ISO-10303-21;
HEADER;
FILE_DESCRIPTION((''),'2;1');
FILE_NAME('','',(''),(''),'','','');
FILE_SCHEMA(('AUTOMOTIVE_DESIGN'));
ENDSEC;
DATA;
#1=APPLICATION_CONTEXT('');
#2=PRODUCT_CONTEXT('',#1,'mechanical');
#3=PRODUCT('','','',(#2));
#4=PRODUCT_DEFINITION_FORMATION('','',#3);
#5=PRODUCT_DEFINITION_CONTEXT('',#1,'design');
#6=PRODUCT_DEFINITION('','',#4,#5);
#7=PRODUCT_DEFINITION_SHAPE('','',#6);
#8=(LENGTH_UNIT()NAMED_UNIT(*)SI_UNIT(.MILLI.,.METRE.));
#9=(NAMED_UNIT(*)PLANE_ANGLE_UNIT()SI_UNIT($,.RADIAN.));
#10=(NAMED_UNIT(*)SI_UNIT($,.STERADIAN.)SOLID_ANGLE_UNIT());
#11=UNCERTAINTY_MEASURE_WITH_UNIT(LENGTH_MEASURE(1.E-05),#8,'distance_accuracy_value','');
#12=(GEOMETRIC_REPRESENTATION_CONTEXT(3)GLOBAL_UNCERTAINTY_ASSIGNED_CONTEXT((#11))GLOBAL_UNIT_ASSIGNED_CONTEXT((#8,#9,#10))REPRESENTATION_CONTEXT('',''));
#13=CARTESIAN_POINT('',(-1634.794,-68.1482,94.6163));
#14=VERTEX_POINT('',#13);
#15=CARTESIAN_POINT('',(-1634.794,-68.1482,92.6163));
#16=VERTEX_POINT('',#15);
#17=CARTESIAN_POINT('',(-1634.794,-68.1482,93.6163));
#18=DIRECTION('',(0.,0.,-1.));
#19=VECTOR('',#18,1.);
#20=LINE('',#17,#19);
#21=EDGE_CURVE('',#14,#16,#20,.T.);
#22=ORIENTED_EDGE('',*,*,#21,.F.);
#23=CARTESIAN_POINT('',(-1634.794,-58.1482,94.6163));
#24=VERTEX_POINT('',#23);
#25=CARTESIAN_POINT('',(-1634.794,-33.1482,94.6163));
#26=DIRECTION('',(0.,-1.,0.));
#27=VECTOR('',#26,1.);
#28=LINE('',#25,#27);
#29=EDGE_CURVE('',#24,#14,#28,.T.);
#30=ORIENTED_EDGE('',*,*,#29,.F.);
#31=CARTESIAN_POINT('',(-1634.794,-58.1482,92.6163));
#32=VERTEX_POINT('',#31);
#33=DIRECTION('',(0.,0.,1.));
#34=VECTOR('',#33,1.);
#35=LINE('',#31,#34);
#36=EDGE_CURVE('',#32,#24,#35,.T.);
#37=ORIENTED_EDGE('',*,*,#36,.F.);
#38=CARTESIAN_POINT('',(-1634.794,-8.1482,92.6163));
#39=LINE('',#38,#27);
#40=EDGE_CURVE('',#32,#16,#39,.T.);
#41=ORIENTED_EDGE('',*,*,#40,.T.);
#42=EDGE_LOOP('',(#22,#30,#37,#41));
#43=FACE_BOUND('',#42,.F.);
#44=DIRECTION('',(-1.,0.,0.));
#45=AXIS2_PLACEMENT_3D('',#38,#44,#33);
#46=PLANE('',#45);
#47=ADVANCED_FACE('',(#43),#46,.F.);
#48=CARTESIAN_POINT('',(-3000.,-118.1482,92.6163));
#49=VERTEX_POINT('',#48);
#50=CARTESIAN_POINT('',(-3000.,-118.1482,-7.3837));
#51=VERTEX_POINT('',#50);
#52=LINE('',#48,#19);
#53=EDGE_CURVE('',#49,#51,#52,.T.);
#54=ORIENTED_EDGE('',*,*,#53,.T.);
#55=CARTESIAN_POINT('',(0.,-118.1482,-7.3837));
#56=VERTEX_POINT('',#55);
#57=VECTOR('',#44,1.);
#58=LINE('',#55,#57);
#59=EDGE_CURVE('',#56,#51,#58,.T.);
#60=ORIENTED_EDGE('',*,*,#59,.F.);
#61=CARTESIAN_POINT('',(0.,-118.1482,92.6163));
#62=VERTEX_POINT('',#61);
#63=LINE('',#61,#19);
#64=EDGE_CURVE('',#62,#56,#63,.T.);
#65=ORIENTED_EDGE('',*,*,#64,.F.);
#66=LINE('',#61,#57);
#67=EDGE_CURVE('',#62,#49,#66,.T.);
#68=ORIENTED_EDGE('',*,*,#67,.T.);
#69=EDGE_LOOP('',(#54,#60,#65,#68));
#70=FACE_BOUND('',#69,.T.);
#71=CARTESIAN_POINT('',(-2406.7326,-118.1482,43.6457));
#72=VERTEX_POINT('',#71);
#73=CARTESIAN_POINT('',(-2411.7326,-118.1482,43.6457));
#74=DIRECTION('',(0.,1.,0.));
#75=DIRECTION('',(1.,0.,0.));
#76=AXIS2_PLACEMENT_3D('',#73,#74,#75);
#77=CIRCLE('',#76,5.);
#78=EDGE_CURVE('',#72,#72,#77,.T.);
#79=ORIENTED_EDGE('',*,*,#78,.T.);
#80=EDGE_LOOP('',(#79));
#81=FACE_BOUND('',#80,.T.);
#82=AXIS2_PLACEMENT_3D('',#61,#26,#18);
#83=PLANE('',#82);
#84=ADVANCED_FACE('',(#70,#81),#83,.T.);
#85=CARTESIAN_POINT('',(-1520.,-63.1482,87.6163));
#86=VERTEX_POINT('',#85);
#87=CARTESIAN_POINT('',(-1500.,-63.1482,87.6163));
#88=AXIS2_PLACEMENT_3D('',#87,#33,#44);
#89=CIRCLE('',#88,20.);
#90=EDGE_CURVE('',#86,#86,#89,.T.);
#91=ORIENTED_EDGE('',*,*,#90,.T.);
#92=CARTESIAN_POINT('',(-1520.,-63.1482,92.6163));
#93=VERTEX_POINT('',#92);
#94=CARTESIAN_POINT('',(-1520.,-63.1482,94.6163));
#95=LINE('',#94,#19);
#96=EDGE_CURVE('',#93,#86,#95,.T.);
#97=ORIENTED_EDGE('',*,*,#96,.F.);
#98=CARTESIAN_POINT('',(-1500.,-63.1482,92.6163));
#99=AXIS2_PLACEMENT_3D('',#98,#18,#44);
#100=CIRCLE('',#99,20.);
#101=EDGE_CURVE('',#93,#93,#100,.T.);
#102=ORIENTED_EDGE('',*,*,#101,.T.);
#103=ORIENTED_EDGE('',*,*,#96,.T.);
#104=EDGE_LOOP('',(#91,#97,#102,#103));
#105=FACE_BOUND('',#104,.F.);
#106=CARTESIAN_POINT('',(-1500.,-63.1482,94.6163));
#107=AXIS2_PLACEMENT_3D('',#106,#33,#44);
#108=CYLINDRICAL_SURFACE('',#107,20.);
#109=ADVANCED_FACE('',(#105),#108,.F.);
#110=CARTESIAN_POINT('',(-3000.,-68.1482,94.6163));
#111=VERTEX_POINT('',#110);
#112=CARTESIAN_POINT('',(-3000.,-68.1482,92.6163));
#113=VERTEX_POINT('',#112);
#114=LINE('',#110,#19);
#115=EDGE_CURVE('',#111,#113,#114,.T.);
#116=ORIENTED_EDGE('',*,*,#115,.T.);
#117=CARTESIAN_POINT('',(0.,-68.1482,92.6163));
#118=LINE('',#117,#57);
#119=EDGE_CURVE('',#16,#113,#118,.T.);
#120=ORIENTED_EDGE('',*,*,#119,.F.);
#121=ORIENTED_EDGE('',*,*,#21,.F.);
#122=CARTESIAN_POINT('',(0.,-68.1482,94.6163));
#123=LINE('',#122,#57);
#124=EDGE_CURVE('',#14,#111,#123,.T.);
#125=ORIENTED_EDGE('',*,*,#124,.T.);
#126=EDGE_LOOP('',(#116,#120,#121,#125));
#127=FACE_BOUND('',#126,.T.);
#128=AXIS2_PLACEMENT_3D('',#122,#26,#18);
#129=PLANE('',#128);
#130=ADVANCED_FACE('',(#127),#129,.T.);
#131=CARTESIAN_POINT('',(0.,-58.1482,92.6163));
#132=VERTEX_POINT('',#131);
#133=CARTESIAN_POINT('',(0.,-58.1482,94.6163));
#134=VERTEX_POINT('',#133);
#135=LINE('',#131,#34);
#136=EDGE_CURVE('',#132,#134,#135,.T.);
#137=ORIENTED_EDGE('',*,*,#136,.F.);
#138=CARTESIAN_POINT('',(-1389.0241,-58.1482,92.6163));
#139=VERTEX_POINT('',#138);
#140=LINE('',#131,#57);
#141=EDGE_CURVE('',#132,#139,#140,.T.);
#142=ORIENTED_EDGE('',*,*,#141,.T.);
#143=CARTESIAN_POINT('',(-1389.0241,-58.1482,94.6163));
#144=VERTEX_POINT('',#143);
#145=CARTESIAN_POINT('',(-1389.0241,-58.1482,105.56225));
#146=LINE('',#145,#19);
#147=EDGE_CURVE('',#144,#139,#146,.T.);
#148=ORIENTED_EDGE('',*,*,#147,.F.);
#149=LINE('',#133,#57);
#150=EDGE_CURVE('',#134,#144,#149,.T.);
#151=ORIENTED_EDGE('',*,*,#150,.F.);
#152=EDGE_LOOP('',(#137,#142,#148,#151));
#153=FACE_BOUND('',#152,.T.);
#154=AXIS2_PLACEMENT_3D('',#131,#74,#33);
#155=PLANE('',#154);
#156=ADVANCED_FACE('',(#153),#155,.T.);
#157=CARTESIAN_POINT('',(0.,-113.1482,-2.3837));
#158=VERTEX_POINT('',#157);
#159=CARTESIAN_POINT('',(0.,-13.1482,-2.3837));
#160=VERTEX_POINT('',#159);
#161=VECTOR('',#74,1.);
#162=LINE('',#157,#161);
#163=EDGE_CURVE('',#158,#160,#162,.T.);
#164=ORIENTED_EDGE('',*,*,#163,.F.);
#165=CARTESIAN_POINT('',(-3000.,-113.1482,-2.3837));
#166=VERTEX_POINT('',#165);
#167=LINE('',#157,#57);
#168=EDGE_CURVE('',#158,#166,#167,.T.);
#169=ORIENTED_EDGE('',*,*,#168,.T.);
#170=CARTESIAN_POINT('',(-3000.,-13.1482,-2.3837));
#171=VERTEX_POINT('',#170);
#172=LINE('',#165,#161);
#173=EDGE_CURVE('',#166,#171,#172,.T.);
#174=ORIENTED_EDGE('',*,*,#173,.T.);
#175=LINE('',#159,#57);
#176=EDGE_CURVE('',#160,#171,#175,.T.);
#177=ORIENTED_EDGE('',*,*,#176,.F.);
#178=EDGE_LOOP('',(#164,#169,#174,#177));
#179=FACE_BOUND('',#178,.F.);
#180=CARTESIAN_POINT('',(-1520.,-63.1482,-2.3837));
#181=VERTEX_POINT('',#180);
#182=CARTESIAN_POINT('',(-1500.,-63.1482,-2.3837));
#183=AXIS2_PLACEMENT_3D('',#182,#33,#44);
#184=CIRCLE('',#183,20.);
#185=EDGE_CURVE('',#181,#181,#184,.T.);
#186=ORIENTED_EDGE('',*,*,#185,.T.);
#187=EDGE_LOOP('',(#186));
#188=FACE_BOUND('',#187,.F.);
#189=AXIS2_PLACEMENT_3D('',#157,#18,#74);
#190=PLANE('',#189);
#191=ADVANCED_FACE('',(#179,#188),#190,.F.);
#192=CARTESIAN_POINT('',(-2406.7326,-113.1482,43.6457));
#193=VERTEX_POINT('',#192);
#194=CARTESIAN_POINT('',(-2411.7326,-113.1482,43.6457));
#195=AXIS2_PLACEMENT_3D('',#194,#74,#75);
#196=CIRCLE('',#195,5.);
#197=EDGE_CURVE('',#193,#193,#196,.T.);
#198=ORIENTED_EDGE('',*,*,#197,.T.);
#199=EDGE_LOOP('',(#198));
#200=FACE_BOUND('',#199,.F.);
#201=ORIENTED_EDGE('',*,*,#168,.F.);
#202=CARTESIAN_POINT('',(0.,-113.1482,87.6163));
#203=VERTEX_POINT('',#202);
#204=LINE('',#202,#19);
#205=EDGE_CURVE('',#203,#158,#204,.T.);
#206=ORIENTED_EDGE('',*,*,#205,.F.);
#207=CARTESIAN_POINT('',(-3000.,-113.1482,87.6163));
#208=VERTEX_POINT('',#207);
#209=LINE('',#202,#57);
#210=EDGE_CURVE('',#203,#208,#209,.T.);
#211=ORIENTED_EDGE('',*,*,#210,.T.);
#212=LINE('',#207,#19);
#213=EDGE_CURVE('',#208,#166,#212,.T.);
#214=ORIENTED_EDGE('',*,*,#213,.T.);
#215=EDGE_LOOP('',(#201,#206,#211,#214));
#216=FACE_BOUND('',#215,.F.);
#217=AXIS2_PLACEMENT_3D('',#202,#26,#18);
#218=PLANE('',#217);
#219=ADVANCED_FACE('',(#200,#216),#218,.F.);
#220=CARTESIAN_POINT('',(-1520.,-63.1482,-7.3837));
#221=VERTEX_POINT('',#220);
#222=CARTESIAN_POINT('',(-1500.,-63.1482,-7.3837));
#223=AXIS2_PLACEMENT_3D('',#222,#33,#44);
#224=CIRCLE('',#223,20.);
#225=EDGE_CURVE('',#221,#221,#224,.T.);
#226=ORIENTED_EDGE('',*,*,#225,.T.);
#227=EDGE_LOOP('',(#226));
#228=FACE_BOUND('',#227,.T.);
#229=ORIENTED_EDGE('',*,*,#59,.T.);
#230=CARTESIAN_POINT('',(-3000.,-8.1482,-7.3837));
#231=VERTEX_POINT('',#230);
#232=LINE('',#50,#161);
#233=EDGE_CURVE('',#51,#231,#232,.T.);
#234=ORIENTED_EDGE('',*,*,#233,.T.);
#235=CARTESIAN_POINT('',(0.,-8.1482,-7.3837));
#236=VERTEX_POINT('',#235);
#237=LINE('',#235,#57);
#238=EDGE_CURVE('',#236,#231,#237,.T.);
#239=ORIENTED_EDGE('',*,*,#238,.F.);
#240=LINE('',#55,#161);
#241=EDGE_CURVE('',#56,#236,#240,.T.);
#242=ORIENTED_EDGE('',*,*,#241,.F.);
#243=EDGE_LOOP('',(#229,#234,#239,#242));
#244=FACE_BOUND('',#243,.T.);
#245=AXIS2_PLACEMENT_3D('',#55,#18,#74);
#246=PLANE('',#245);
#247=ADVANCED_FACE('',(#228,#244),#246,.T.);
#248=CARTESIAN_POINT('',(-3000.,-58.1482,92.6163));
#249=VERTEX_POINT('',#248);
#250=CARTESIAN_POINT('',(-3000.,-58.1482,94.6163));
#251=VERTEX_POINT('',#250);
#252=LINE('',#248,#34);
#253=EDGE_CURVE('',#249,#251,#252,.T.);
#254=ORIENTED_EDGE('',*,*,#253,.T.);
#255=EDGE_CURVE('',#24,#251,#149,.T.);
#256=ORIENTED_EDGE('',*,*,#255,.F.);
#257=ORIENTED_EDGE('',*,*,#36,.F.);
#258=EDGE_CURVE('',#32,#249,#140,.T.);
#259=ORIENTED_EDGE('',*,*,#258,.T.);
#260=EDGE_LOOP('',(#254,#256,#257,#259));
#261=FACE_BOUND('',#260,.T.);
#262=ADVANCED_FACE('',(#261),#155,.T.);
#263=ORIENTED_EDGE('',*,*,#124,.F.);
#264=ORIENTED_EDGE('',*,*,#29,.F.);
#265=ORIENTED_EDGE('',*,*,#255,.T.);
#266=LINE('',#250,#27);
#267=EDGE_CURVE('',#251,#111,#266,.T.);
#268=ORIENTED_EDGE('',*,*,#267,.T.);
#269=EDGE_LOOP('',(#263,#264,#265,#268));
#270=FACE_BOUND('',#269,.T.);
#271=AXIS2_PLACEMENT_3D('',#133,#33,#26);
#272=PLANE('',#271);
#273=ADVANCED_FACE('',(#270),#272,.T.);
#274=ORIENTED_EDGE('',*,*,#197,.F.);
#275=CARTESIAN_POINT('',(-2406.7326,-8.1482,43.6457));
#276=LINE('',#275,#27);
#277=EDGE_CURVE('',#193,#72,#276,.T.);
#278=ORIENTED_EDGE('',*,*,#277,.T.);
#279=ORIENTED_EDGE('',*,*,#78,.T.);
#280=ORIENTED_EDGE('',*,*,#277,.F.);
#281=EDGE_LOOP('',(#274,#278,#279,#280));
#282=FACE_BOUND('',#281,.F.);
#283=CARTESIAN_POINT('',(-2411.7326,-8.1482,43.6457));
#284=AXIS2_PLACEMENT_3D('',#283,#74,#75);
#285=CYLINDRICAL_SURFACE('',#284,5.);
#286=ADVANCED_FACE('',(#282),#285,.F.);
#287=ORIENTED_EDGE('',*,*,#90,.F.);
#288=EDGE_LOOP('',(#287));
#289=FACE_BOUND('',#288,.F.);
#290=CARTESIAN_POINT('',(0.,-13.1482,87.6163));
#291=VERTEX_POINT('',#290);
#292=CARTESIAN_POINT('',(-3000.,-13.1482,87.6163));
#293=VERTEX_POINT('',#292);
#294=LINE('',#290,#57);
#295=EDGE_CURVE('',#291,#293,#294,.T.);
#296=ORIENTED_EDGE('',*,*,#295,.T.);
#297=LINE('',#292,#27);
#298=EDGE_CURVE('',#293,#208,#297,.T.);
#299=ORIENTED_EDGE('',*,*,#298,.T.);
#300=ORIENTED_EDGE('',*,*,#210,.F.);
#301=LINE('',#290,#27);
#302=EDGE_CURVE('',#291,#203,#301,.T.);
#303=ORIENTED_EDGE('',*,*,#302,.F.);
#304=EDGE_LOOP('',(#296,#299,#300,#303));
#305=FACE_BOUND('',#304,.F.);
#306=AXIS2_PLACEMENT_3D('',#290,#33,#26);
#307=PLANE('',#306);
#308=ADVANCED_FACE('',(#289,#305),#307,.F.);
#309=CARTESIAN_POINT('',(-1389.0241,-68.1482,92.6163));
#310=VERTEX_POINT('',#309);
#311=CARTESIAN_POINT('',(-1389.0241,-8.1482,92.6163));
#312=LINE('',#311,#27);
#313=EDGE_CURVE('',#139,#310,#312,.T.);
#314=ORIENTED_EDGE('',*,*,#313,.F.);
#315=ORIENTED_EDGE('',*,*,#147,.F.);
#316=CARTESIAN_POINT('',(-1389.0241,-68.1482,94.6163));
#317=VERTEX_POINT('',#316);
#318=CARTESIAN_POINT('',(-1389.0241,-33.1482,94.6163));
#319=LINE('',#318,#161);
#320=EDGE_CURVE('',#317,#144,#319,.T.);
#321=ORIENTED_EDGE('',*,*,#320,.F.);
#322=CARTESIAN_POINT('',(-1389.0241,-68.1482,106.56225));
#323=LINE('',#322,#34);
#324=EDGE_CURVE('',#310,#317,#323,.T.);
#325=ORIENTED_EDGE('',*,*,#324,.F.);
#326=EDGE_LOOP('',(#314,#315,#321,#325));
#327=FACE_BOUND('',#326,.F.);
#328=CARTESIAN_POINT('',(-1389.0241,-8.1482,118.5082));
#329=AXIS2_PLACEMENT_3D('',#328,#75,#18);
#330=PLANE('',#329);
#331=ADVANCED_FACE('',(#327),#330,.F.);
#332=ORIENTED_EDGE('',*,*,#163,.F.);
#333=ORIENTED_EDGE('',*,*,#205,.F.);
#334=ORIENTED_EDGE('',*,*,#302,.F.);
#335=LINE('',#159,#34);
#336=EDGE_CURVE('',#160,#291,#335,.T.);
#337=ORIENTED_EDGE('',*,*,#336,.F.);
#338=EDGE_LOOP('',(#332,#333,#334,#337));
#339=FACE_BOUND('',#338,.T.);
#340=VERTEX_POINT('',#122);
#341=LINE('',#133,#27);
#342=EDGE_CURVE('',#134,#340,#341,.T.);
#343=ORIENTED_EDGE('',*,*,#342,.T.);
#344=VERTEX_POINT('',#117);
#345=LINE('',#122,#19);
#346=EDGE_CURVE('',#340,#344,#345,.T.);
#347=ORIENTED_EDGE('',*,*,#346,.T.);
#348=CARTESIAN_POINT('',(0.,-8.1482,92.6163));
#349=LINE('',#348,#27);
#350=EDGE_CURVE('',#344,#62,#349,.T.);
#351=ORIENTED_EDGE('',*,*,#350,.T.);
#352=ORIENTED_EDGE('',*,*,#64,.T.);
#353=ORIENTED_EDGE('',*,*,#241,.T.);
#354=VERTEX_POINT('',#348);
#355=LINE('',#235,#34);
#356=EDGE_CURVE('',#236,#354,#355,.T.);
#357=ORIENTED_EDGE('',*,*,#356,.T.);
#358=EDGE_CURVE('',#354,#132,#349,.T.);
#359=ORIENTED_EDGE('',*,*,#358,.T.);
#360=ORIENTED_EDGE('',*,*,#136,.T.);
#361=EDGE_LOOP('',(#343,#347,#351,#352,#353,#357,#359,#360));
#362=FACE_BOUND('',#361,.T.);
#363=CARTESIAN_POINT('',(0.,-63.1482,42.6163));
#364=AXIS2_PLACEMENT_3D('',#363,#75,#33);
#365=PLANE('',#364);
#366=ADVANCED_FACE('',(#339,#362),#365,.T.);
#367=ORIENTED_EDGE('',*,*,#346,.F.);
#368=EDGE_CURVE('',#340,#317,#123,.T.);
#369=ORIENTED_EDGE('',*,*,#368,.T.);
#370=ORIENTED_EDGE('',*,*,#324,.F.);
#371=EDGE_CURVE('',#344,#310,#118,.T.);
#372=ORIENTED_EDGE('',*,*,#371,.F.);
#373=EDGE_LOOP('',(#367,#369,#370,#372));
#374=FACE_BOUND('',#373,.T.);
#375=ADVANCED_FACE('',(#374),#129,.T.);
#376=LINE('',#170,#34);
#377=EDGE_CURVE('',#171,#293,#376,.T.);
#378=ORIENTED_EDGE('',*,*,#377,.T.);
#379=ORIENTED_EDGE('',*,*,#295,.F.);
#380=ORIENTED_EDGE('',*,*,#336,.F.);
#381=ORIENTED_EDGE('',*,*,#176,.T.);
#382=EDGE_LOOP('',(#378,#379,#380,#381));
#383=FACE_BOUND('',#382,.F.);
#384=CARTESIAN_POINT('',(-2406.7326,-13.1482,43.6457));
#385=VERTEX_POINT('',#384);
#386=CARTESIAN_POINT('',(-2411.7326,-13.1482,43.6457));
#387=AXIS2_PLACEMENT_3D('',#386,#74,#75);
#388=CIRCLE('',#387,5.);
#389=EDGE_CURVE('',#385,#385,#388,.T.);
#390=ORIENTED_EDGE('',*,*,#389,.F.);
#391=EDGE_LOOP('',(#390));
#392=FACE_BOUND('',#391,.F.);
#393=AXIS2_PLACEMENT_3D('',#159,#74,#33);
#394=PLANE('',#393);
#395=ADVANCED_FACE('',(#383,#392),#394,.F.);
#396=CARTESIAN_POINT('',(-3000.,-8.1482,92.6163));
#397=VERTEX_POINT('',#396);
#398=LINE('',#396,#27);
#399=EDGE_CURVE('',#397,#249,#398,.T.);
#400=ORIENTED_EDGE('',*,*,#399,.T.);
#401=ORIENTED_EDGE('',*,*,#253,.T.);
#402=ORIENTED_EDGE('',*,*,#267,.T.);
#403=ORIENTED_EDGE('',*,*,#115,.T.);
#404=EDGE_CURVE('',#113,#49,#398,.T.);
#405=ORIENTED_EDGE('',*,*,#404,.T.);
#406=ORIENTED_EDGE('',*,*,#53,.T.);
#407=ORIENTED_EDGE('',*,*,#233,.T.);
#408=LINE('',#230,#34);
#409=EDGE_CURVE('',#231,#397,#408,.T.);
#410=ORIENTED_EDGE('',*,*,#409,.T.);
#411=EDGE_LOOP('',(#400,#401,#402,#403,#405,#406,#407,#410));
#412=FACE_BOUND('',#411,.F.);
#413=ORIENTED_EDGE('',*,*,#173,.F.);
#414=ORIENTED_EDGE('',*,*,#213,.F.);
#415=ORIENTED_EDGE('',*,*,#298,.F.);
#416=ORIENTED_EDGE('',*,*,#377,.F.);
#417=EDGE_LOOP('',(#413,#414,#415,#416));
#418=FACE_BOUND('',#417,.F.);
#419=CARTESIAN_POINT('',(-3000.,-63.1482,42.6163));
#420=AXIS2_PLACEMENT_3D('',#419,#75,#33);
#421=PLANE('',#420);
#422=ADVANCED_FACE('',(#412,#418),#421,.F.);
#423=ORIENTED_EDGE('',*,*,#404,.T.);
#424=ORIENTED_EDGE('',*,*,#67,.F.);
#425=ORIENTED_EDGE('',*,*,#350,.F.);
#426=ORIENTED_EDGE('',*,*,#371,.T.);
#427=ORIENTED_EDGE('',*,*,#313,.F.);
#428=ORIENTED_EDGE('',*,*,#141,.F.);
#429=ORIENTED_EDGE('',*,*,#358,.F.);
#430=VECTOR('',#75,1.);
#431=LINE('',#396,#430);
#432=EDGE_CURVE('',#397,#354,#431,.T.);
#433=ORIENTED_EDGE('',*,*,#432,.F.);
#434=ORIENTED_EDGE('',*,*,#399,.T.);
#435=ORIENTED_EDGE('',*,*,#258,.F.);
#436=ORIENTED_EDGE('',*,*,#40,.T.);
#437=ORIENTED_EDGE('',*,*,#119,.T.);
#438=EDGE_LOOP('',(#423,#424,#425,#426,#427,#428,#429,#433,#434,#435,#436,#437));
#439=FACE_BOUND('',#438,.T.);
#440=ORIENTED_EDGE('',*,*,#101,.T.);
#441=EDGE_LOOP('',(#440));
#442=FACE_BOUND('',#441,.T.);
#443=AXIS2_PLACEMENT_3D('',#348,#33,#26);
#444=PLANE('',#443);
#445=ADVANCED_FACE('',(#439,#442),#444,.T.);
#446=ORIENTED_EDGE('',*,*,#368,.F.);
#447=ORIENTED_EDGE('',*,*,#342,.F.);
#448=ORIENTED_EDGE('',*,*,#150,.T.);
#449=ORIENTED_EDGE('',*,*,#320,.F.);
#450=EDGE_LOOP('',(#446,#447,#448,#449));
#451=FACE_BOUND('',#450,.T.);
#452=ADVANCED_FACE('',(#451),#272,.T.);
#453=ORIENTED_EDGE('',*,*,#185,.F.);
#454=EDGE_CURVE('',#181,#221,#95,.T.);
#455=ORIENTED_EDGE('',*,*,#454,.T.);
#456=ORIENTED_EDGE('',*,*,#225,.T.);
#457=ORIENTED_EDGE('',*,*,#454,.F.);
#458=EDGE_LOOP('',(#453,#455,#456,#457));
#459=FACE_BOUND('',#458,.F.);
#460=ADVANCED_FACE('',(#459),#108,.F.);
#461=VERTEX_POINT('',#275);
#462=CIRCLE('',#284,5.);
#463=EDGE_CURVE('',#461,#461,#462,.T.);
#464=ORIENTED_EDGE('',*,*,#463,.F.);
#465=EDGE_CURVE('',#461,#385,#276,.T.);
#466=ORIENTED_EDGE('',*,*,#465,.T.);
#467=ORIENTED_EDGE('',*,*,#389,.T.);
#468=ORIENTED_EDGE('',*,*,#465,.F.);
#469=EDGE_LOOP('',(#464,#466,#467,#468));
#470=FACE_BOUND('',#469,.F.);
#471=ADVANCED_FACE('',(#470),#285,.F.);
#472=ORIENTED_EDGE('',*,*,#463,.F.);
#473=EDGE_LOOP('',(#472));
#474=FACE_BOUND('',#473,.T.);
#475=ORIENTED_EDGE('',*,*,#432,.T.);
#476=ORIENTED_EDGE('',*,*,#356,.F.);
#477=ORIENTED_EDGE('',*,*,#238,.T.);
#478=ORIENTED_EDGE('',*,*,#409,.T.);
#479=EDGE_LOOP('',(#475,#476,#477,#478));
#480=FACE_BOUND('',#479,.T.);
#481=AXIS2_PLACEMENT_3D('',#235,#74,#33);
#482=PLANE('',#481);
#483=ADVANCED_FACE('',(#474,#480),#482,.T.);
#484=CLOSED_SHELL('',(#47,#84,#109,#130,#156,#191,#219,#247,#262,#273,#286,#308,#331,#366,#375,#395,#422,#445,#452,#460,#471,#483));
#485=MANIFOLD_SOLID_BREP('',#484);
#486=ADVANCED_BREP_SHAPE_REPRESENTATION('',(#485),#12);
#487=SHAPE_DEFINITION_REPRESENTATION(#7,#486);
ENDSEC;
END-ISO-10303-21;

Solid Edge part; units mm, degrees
sketch "Sketch1" plane through (0, 0, 0) normal (1, 0, 0) x (0, 1, 0)
  line L0 (-113.1482, -2.3837) -> (-13.1482, -2.3837)
  line L1 (-13.1482, -2.3837) -> (-13.1482, 87.6163)
  line L2 (-13.1482, 87.6163) -> (-113.1482, 87.6163)
  line L3 (-113.1482, 87.6163) -> (-113.1482, -2.3837)
  line L4 (-68.1482, 92.6163) -> (-58.1482, 92.6163)
  line L5 (-58.1482, 92.6163) -> (-58.1482, 94.6163)
  line L6 (-58.1482, 94.6163) -> (-68.1482, 94.6163)
  line L7 (-68.1482, 94.6163) -> (-68.1482, 92.6163)
  line L8 (-118.1482, -7.3837) -> (-8.1482, -7.3837)
  line L9 (-8.1482, -7.3837) -> (-8.1482, 92.6163)
  line L10 (-8.1482, 92.6163) -> (-118.1482, 92.6163)
  line L11 (-118.1482, 92.6163) -> (-118.1482, -7.3837)
  dimension "D1" = 100
  dimension "D2" = 110
  dimension "D3" = 100
  dimension "D4" = 90
  dimension "D5" = 10
  dimension "D6" = 2
extrude "Protrusion1" add sketch "Sketch1" against normal blind 3000
sketch "Sketch2" plane through (-1250, -71.3361, 94.6163) normal (0, 0, 1) x (-1, 0, 0)
  circle A0 centre (250, -8.1879) radius 20
  dimension "D1" = 40
extrude "Cutout1" cut sketch "Sketch2" against normal through all
sketch "Sketch3" plane through (-1250, -8.1482, 42.6163) normal (0, 1, 0) x (1, 0, 0)
  circle A0 centre (-1161.7326, -1.0294) radius 5
extrude "Cutout2" cut sketch "Sketch3" against normal through all
sketch "Sketch4" plane through (-1500, -8.1482, 42.6163) normal (0, 1, 0) x (-1, 0, 0)
  line L0 (-110.9759, 50) -> (134.794, 50)
  line L1 (134.794, 50) -> (134.794, 75.8919)
  line L2 (134.794, 75.8919) -> (-110.9759, 75.8919)
  line L3 (-110.9759, 75.8919) -> (-110.9759, 50)
extrude "Cutout3" cut sketch "Sketch4" against normal through all
